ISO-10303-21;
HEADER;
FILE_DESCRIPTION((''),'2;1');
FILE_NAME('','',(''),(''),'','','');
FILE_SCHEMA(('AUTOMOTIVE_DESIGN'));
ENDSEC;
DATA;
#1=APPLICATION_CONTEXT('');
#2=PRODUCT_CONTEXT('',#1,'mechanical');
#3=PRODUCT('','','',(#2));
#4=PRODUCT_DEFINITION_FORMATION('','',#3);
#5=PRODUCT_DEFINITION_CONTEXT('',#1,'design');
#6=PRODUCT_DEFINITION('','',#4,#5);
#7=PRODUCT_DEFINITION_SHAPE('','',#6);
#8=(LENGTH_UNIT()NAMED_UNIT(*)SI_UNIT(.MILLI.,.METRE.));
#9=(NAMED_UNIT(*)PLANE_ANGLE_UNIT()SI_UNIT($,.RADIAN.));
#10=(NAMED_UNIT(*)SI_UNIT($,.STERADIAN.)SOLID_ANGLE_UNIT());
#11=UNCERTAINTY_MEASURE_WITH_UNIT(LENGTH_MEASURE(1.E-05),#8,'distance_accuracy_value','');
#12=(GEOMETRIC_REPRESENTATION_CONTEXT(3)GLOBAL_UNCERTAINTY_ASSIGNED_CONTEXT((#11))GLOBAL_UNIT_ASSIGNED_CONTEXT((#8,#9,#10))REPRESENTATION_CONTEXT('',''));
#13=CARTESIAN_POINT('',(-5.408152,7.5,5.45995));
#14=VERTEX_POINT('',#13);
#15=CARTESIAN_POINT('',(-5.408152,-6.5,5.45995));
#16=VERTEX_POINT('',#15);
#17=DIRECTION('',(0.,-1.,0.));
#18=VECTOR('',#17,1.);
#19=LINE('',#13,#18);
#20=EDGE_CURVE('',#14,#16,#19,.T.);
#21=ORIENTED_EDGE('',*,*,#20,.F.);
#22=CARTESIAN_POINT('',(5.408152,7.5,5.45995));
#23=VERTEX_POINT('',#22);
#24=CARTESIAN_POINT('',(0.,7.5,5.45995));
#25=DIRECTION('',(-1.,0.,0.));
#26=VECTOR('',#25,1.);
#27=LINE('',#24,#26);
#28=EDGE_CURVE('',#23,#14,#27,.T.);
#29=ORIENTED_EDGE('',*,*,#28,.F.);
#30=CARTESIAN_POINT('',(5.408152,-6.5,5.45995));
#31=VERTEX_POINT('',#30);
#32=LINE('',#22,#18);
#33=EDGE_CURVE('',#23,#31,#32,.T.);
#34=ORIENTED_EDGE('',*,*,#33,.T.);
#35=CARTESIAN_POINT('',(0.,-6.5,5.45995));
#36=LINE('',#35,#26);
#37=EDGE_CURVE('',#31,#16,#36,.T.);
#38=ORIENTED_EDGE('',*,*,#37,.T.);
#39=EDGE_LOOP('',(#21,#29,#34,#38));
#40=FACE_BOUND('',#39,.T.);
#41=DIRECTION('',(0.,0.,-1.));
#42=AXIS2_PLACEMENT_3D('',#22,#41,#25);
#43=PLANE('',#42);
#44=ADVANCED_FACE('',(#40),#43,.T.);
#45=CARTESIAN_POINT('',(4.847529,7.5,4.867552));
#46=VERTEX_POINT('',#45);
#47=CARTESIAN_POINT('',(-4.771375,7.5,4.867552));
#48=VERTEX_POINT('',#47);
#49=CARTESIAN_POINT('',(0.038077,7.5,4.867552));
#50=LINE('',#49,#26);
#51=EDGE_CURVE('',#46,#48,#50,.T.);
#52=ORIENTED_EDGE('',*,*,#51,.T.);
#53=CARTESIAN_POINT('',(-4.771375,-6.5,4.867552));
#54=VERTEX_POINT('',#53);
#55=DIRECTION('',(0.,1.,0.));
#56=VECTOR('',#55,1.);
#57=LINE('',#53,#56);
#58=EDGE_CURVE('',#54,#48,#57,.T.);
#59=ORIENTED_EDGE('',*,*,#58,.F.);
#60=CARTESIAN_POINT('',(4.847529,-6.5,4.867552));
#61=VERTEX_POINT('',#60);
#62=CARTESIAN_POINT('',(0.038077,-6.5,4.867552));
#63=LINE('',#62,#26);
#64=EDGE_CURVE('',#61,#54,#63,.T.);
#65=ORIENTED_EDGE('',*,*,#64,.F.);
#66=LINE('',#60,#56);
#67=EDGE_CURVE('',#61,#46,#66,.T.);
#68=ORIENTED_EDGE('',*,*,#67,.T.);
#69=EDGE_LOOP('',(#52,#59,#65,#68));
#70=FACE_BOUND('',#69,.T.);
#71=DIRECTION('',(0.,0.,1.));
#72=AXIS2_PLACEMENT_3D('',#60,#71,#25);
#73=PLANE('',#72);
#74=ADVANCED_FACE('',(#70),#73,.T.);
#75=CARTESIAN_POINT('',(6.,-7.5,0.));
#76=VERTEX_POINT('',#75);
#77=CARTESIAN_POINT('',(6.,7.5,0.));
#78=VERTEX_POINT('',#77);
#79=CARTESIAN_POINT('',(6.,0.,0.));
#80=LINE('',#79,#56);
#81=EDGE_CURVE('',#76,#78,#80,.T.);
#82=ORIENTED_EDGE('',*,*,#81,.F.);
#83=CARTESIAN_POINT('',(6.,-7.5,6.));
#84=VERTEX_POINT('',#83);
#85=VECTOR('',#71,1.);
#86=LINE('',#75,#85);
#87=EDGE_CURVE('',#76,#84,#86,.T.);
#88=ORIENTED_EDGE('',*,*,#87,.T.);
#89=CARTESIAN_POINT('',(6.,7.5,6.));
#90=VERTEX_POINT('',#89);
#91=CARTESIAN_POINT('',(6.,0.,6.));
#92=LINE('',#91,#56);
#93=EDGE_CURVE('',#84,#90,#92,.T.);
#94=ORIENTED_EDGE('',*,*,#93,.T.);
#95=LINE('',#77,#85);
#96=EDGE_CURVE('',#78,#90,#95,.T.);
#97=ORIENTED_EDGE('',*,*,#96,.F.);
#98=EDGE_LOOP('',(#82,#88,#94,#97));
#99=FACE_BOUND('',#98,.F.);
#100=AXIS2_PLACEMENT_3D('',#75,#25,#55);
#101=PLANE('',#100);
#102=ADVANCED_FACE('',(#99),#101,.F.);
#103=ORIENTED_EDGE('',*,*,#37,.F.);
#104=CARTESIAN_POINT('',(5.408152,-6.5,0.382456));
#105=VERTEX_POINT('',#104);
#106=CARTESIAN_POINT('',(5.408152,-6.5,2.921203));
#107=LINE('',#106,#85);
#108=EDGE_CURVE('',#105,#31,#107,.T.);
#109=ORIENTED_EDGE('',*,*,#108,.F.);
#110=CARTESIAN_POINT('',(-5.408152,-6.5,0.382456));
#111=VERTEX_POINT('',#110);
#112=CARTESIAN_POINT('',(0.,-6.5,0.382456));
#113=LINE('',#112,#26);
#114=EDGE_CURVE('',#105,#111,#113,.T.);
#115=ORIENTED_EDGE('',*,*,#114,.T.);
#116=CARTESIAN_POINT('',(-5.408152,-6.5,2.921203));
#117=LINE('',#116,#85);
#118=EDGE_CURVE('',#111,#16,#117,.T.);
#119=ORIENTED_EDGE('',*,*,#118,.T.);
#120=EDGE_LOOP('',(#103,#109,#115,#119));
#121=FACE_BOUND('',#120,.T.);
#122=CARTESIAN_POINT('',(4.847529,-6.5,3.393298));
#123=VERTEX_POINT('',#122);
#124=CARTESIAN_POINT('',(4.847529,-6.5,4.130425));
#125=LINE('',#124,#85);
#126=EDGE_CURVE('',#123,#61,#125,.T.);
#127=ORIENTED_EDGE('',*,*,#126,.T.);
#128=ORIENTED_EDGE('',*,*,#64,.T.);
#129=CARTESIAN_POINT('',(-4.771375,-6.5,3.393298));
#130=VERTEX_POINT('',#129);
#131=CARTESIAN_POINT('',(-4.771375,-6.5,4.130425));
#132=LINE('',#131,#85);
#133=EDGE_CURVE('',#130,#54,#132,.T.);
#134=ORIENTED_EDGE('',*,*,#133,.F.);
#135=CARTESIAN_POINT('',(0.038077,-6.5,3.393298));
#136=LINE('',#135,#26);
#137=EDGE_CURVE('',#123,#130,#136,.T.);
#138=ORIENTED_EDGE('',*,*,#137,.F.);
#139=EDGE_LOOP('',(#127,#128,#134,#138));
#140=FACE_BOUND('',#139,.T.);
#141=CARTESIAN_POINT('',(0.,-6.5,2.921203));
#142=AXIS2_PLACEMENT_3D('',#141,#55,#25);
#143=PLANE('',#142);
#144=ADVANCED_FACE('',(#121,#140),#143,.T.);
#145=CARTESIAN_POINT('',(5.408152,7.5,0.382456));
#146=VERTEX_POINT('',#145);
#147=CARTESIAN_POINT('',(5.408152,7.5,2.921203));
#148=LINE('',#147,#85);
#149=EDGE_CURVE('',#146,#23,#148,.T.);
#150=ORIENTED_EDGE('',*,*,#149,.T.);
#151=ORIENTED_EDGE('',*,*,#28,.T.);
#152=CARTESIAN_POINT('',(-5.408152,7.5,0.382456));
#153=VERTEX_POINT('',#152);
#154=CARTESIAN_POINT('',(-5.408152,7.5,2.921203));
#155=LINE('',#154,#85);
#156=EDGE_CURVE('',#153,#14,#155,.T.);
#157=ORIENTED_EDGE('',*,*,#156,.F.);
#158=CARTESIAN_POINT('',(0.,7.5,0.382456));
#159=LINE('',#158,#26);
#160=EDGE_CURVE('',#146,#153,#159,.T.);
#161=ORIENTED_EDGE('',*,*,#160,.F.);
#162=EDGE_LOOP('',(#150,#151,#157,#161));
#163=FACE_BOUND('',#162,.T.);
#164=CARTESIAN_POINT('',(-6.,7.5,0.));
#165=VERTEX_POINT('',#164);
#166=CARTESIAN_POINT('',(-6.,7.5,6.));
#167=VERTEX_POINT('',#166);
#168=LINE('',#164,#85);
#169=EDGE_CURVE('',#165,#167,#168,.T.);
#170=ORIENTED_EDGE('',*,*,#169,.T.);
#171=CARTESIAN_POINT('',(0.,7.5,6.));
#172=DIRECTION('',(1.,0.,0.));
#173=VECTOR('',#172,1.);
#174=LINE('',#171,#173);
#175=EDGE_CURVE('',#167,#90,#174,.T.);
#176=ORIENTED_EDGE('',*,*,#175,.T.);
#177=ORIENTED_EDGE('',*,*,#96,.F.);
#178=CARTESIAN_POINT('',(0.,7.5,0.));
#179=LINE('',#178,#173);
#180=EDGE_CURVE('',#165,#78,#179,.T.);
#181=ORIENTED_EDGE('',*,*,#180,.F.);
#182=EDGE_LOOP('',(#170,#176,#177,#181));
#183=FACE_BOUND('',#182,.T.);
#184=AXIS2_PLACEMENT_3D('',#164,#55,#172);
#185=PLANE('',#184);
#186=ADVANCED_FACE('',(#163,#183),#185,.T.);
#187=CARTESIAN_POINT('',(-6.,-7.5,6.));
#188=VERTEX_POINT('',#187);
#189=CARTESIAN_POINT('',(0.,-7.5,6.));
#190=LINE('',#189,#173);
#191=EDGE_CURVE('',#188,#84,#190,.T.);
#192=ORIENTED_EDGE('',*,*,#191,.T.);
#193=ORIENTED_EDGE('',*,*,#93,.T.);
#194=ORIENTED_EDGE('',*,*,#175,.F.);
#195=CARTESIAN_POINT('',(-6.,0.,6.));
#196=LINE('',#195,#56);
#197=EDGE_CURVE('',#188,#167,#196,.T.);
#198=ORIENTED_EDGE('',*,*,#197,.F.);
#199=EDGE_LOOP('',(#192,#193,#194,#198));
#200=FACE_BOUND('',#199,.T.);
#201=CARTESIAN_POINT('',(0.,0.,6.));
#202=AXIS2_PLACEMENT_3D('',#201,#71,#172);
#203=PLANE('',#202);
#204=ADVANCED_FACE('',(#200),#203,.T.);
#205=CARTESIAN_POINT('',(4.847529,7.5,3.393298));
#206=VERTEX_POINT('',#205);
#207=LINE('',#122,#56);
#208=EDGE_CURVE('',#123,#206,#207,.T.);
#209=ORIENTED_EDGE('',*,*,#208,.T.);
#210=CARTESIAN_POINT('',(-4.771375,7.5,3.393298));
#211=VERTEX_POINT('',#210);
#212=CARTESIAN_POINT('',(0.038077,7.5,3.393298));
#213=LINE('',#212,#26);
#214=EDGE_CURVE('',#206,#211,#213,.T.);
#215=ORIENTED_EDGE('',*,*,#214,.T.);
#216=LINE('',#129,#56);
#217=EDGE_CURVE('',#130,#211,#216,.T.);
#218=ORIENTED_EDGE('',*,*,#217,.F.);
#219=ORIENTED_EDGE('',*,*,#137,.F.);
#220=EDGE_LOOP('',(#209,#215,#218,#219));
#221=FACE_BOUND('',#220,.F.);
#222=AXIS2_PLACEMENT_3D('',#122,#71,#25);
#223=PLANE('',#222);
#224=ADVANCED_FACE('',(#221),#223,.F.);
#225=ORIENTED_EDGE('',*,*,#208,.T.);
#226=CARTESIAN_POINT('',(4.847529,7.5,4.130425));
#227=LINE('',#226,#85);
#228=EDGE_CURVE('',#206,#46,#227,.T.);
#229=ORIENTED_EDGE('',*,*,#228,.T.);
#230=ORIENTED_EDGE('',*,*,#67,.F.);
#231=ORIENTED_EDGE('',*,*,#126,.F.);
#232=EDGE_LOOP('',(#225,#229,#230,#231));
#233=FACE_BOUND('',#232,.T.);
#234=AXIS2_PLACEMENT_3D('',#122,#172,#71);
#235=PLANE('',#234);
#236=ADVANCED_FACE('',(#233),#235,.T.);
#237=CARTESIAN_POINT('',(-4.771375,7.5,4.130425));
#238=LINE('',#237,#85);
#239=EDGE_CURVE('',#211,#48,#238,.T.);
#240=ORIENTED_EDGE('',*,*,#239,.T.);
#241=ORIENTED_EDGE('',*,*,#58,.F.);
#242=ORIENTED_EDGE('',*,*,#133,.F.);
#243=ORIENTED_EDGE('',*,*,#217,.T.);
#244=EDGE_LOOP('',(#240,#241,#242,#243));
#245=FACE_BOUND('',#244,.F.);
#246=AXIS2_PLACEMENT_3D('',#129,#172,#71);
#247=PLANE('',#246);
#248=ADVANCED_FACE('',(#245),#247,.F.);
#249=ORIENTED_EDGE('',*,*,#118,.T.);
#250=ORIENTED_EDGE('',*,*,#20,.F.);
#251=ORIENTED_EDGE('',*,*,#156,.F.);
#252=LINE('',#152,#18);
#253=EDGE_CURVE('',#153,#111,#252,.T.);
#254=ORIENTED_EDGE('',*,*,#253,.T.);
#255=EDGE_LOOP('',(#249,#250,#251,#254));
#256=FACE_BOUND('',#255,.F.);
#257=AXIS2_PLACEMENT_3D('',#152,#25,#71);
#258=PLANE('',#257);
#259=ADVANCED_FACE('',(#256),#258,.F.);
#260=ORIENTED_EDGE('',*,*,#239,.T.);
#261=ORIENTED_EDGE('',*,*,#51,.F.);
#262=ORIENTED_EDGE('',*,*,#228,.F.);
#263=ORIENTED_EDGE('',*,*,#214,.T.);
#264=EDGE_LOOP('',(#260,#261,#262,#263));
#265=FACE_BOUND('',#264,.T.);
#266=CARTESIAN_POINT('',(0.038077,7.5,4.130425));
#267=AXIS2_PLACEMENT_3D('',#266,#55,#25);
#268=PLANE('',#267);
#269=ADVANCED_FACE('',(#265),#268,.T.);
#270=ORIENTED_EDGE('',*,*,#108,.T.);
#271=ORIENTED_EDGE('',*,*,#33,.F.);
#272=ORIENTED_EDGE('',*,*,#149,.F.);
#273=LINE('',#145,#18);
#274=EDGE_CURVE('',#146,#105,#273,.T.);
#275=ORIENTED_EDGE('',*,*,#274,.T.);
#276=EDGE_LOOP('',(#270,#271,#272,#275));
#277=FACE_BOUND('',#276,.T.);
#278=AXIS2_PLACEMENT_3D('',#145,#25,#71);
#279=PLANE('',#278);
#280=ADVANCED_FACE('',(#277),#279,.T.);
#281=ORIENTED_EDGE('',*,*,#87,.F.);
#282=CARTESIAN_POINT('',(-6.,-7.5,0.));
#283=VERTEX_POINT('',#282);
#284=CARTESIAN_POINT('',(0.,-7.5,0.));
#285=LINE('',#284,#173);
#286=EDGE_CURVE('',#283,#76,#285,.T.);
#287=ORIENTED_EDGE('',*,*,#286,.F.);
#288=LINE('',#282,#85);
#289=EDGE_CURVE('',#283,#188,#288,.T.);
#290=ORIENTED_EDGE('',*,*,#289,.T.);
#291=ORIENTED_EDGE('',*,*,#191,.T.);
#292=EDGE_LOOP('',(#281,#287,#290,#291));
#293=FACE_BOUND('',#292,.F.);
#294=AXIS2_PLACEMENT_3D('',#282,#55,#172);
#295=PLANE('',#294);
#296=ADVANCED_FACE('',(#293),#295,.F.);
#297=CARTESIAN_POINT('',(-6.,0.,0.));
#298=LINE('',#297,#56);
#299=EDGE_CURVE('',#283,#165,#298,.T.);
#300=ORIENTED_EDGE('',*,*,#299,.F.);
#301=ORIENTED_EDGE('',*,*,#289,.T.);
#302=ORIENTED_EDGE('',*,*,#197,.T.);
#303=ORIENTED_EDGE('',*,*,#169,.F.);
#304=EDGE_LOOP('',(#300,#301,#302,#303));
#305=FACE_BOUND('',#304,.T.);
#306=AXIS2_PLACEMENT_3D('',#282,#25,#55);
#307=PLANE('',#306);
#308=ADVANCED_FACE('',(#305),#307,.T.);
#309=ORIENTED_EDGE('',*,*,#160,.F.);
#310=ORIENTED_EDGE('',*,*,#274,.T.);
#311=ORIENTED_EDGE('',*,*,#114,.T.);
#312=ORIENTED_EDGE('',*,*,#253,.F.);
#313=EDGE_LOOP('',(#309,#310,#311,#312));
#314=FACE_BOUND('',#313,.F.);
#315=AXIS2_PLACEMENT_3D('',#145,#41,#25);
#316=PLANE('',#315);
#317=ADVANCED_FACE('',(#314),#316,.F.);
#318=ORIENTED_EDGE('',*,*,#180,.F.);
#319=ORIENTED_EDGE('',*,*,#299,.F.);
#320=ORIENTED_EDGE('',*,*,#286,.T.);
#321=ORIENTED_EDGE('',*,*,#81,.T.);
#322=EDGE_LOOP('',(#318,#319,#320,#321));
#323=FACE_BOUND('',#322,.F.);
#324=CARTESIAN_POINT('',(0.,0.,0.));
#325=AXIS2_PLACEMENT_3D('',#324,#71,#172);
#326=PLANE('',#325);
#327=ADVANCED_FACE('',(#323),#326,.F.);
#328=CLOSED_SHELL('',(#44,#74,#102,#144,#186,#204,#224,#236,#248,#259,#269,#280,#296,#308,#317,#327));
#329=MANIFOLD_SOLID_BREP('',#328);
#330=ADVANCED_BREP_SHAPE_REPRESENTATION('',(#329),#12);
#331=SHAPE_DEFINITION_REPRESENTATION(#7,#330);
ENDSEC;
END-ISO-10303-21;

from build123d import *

# Parameters (mm, degrees)
F0_W     = 12
F0_H     = 15
F1_DEPTH = 6
F2_W     = 10.816304
F2_H     = 5.077495
F3_DEPTH = 14
F4_W     = 9.618904
F4_H     = 1.474254
F5_DEPTH = 14


with BuildPart() as f1:
    # F0 (on Top) → F1 (new body)
    with BuildSketch(Plane.XY):
        Rectangle(F0_W, F0_H)
    extrude(amount=F1_DEPTH)

    # F2 (on face) → F3 (cut)
    with BuildSketch(Plane(origin=(0, 7.5, 0), x_dir=(-1, 0, 0), z_dir=(0, 1, 0))):
        with Locations((0, 2.921203)):
            Rectangle(F2_W, F2_H)
    extrude(amount=-F3_DEPTH, mode=Mode.SUBTRACT)

    # F4 (on face) → F5 (join)
    with BuildSketch(Plane(origin=(0, -6.5, 0), x_dir=(-1, 0, 0), z_dir=(0, 1, 0))):
        with Locations((-0.038077, 4.130425)):
            Rectangle(F4_W, F4_H)
    extrude(amount=F5_DEPTH)


solid = f1.part
